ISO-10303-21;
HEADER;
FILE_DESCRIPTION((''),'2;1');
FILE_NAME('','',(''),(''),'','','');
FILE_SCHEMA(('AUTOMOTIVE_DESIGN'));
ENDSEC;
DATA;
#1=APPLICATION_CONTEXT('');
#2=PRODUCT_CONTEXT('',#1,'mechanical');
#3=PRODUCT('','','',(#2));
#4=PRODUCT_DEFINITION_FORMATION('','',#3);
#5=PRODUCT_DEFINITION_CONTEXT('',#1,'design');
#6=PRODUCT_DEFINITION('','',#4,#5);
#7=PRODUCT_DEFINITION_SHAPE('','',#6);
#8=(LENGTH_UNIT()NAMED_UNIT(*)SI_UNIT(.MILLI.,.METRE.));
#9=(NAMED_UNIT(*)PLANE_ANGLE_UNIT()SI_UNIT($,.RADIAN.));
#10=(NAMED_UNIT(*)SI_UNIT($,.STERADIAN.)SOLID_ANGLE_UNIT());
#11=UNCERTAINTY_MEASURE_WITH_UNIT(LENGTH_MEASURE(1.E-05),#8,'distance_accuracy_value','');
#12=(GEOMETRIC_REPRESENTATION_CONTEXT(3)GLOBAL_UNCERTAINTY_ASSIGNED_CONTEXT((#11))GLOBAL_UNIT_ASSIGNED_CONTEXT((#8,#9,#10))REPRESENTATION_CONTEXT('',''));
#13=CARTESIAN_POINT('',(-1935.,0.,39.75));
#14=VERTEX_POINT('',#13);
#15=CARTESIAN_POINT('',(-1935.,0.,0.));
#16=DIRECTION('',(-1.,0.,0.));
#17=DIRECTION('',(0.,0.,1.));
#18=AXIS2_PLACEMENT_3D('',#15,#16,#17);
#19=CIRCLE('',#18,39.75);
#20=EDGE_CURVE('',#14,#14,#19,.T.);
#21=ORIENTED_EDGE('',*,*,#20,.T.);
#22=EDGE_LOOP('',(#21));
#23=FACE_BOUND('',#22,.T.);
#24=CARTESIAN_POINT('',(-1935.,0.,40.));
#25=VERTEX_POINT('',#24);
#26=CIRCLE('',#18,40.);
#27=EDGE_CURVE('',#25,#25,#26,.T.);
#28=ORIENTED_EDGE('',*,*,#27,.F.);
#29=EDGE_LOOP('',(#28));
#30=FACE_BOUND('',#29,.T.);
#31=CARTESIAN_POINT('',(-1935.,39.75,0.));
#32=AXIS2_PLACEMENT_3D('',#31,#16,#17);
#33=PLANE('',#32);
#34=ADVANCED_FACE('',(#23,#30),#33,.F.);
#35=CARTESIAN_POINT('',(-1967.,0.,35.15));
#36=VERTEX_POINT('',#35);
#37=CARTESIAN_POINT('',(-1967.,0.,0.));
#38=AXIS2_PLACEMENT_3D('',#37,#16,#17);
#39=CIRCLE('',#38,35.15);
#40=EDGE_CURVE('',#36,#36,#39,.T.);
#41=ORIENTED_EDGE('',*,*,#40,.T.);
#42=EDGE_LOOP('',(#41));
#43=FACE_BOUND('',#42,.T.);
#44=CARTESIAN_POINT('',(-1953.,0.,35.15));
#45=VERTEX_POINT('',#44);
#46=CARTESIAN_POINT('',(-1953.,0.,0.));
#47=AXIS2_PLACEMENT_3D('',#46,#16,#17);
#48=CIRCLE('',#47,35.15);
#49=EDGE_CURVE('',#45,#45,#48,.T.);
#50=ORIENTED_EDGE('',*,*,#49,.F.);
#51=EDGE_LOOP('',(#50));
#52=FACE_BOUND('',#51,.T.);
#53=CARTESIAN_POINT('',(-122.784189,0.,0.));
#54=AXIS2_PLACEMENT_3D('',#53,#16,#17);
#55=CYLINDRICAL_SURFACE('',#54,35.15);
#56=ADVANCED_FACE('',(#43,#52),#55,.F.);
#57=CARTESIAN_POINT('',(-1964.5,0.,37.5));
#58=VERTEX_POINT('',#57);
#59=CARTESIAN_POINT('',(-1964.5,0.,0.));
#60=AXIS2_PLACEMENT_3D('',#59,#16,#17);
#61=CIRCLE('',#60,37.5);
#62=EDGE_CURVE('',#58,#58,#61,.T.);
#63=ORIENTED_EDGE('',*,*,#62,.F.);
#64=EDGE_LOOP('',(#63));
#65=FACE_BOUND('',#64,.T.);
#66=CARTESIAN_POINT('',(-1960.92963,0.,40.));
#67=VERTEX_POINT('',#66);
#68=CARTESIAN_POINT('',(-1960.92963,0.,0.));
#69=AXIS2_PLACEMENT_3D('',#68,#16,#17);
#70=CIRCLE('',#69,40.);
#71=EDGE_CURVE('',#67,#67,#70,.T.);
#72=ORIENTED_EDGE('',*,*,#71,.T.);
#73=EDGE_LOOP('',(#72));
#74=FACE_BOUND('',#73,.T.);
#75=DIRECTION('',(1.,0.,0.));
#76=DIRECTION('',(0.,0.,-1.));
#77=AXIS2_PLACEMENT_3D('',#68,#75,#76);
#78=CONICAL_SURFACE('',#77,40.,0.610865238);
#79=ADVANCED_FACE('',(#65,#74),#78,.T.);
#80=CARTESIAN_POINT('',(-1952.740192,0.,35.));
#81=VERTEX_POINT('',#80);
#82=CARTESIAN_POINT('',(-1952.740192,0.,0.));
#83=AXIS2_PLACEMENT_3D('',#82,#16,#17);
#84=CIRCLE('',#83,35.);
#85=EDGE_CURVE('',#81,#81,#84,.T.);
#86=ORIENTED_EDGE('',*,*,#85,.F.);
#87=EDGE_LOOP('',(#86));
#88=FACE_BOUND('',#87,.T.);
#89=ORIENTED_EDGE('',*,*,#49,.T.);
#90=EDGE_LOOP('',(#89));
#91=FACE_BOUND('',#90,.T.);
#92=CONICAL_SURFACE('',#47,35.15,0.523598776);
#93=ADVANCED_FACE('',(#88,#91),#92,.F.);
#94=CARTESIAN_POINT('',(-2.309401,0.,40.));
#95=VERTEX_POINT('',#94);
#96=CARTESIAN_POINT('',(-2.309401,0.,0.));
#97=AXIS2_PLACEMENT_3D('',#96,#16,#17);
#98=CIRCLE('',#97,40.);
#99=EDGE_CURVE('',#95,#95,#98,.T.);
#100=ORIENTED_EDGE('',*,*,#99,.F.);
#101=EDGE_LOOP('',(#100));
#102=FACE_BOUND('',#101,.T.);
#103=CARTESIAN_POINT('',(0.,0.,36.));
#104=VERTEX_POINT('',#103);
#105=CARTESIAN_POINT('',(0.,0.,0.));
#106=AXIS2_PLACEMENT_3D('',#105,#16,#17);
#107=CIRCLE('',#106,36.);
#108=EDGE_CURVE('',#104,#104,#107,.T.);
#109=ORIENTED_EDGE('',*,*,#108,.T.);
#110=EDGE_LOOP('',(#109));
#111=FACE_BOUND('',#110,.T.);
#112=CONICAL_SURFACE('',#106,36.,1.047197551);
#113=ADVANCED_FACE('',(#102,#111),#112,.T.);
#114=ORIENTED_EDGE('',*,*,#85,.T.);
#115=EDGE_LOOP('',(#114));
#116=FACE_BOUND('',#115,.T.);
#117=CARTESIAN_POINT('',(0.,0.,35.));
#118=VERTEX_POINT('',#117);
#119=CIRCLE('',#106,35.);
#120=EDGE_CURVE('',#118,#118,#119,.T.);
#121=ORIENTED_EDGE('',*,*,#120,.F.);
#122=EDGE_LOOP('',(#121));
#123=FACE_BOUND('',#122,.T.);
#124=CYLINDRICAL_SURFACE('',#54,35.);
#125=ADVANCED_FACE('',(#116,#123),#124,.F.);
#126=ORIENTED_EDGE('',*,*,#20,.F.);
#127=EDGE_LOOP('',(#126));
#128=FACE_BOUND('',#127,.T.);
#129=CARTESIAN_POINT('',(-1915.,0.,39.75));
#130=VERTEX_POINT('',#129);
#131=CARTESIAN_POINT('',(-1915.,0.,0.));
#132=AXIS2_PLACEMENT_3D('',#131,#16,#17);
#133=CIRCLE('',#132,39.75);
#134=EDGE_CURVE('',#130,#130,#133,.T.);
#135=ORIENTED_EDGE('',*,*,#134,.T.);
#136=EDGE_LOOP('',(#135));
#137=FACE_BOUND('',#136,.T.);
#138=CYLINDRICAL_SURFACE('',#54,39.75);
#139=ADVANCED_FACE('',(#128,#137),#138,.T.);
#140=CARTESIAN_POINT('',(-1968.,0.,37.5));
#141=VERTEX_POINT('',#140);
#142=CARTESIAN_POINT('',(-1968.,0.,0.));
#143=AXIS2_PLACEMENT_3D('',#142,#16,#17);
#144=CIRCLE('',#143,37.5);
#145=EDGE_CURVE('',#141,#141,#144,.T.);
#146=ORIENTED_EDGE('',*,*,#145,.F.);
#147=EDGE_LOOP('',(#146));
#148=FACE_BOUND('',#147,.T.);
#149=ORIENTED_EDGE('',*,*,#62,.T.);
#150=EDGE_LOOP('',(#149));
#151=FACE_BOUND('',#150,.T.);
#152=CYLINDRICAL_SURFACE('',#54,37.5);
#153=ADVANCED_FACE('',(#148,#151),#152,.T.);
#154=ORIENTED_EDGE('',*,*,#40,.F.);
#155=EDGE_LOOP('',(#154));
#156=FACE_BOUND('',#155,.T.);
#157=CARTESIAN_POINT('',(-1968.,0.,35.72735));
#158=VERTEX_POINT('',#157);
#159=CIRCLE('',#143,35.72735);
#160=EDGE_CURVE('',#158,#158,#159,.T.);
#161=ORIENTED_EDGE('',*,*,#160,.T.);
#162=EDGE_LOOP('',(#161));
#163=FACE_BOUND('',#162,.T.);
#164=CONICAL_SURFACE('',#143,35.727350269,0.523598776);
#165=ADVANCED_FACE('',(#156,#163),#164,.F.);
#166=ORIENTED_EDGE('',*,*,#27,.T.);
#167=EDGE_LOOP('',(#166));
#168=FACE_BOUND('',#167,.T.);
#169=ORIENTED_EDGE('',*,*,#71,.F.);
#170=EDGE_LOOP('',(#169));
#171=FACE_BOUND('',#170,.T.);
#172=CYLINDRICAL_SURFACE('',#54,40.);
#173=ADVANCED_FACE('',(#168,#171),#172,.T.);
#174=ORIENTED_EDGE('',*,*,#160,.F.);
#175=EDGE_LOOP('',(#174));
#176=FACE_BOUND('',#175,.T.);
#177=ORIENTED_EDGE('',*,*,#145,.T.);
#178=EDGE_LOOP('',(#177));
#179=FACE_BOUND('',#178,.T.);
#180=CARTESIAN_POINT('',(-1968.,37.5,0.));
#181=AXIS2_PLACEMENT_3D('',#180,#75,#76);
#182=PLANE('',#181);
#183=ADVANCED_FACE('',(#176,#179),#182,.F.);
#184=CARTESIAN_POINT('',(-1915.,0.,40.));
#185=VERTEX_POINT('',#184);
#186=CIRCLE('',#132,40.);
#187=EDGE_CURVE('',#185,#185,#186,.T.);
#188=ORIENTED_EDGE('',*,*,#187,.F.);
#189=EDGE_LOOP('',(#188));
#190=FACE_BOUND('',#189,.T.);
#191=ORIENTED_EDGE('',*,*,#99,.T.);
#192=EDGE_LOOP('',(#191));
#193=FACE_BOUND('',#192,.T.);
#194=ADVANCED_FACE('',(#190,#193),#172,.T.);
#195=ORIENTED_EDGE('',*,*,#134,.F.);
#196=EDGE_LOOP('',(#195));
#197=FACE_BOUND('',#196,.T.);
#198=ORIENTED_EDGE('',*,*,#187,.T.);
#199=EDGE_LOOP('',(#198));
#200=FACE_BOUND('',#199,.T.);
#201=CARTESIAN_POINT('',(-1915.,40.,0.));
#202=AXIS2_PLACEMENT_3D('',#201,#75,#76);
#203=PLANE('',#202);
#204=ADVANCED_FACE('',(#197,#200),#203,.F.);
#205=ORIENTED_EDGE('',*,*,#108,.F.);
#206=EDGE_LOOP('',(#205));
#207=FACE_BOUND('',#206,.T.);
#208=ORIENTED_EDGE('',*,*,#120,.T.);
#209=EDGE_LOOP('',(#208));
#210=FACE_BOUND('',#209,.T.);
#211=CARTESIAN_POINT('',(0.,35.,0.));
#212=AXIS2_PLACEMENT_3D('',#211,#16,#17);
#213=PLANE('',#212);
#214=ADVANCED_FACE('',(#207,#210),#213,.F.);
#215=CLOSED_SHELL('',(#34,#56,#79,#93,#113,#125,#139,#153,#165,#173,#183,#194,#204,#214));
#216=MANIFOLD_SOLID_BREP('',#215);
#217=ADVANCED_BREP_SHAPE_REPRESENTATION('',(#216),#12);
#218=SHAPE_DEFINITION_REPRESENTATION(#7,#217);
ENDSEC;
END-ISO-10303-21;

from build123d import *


with BuildPart() as part:
    # Sketch1 → Base-Revolve (revolve)
    with BuildSketch(Plane.XY):
        Polygon((0, 35), (0, 36), (-2.309401077, 40), (-1915, 40), (-1915, 39.75), (-1935, 39.75), (-1935, 40), (-1960.929629983, 40), (-1964.5, 37.5), (-1968, 37.5), (-1968, 35.727350269), (-1967, 35.15), (-1953, 35.15), (-1952.740192379, 35), align=None)
    revolve(axis=Axis((-122.784188742, 0, 0), (1, 0, 0)))


solid = part.part
